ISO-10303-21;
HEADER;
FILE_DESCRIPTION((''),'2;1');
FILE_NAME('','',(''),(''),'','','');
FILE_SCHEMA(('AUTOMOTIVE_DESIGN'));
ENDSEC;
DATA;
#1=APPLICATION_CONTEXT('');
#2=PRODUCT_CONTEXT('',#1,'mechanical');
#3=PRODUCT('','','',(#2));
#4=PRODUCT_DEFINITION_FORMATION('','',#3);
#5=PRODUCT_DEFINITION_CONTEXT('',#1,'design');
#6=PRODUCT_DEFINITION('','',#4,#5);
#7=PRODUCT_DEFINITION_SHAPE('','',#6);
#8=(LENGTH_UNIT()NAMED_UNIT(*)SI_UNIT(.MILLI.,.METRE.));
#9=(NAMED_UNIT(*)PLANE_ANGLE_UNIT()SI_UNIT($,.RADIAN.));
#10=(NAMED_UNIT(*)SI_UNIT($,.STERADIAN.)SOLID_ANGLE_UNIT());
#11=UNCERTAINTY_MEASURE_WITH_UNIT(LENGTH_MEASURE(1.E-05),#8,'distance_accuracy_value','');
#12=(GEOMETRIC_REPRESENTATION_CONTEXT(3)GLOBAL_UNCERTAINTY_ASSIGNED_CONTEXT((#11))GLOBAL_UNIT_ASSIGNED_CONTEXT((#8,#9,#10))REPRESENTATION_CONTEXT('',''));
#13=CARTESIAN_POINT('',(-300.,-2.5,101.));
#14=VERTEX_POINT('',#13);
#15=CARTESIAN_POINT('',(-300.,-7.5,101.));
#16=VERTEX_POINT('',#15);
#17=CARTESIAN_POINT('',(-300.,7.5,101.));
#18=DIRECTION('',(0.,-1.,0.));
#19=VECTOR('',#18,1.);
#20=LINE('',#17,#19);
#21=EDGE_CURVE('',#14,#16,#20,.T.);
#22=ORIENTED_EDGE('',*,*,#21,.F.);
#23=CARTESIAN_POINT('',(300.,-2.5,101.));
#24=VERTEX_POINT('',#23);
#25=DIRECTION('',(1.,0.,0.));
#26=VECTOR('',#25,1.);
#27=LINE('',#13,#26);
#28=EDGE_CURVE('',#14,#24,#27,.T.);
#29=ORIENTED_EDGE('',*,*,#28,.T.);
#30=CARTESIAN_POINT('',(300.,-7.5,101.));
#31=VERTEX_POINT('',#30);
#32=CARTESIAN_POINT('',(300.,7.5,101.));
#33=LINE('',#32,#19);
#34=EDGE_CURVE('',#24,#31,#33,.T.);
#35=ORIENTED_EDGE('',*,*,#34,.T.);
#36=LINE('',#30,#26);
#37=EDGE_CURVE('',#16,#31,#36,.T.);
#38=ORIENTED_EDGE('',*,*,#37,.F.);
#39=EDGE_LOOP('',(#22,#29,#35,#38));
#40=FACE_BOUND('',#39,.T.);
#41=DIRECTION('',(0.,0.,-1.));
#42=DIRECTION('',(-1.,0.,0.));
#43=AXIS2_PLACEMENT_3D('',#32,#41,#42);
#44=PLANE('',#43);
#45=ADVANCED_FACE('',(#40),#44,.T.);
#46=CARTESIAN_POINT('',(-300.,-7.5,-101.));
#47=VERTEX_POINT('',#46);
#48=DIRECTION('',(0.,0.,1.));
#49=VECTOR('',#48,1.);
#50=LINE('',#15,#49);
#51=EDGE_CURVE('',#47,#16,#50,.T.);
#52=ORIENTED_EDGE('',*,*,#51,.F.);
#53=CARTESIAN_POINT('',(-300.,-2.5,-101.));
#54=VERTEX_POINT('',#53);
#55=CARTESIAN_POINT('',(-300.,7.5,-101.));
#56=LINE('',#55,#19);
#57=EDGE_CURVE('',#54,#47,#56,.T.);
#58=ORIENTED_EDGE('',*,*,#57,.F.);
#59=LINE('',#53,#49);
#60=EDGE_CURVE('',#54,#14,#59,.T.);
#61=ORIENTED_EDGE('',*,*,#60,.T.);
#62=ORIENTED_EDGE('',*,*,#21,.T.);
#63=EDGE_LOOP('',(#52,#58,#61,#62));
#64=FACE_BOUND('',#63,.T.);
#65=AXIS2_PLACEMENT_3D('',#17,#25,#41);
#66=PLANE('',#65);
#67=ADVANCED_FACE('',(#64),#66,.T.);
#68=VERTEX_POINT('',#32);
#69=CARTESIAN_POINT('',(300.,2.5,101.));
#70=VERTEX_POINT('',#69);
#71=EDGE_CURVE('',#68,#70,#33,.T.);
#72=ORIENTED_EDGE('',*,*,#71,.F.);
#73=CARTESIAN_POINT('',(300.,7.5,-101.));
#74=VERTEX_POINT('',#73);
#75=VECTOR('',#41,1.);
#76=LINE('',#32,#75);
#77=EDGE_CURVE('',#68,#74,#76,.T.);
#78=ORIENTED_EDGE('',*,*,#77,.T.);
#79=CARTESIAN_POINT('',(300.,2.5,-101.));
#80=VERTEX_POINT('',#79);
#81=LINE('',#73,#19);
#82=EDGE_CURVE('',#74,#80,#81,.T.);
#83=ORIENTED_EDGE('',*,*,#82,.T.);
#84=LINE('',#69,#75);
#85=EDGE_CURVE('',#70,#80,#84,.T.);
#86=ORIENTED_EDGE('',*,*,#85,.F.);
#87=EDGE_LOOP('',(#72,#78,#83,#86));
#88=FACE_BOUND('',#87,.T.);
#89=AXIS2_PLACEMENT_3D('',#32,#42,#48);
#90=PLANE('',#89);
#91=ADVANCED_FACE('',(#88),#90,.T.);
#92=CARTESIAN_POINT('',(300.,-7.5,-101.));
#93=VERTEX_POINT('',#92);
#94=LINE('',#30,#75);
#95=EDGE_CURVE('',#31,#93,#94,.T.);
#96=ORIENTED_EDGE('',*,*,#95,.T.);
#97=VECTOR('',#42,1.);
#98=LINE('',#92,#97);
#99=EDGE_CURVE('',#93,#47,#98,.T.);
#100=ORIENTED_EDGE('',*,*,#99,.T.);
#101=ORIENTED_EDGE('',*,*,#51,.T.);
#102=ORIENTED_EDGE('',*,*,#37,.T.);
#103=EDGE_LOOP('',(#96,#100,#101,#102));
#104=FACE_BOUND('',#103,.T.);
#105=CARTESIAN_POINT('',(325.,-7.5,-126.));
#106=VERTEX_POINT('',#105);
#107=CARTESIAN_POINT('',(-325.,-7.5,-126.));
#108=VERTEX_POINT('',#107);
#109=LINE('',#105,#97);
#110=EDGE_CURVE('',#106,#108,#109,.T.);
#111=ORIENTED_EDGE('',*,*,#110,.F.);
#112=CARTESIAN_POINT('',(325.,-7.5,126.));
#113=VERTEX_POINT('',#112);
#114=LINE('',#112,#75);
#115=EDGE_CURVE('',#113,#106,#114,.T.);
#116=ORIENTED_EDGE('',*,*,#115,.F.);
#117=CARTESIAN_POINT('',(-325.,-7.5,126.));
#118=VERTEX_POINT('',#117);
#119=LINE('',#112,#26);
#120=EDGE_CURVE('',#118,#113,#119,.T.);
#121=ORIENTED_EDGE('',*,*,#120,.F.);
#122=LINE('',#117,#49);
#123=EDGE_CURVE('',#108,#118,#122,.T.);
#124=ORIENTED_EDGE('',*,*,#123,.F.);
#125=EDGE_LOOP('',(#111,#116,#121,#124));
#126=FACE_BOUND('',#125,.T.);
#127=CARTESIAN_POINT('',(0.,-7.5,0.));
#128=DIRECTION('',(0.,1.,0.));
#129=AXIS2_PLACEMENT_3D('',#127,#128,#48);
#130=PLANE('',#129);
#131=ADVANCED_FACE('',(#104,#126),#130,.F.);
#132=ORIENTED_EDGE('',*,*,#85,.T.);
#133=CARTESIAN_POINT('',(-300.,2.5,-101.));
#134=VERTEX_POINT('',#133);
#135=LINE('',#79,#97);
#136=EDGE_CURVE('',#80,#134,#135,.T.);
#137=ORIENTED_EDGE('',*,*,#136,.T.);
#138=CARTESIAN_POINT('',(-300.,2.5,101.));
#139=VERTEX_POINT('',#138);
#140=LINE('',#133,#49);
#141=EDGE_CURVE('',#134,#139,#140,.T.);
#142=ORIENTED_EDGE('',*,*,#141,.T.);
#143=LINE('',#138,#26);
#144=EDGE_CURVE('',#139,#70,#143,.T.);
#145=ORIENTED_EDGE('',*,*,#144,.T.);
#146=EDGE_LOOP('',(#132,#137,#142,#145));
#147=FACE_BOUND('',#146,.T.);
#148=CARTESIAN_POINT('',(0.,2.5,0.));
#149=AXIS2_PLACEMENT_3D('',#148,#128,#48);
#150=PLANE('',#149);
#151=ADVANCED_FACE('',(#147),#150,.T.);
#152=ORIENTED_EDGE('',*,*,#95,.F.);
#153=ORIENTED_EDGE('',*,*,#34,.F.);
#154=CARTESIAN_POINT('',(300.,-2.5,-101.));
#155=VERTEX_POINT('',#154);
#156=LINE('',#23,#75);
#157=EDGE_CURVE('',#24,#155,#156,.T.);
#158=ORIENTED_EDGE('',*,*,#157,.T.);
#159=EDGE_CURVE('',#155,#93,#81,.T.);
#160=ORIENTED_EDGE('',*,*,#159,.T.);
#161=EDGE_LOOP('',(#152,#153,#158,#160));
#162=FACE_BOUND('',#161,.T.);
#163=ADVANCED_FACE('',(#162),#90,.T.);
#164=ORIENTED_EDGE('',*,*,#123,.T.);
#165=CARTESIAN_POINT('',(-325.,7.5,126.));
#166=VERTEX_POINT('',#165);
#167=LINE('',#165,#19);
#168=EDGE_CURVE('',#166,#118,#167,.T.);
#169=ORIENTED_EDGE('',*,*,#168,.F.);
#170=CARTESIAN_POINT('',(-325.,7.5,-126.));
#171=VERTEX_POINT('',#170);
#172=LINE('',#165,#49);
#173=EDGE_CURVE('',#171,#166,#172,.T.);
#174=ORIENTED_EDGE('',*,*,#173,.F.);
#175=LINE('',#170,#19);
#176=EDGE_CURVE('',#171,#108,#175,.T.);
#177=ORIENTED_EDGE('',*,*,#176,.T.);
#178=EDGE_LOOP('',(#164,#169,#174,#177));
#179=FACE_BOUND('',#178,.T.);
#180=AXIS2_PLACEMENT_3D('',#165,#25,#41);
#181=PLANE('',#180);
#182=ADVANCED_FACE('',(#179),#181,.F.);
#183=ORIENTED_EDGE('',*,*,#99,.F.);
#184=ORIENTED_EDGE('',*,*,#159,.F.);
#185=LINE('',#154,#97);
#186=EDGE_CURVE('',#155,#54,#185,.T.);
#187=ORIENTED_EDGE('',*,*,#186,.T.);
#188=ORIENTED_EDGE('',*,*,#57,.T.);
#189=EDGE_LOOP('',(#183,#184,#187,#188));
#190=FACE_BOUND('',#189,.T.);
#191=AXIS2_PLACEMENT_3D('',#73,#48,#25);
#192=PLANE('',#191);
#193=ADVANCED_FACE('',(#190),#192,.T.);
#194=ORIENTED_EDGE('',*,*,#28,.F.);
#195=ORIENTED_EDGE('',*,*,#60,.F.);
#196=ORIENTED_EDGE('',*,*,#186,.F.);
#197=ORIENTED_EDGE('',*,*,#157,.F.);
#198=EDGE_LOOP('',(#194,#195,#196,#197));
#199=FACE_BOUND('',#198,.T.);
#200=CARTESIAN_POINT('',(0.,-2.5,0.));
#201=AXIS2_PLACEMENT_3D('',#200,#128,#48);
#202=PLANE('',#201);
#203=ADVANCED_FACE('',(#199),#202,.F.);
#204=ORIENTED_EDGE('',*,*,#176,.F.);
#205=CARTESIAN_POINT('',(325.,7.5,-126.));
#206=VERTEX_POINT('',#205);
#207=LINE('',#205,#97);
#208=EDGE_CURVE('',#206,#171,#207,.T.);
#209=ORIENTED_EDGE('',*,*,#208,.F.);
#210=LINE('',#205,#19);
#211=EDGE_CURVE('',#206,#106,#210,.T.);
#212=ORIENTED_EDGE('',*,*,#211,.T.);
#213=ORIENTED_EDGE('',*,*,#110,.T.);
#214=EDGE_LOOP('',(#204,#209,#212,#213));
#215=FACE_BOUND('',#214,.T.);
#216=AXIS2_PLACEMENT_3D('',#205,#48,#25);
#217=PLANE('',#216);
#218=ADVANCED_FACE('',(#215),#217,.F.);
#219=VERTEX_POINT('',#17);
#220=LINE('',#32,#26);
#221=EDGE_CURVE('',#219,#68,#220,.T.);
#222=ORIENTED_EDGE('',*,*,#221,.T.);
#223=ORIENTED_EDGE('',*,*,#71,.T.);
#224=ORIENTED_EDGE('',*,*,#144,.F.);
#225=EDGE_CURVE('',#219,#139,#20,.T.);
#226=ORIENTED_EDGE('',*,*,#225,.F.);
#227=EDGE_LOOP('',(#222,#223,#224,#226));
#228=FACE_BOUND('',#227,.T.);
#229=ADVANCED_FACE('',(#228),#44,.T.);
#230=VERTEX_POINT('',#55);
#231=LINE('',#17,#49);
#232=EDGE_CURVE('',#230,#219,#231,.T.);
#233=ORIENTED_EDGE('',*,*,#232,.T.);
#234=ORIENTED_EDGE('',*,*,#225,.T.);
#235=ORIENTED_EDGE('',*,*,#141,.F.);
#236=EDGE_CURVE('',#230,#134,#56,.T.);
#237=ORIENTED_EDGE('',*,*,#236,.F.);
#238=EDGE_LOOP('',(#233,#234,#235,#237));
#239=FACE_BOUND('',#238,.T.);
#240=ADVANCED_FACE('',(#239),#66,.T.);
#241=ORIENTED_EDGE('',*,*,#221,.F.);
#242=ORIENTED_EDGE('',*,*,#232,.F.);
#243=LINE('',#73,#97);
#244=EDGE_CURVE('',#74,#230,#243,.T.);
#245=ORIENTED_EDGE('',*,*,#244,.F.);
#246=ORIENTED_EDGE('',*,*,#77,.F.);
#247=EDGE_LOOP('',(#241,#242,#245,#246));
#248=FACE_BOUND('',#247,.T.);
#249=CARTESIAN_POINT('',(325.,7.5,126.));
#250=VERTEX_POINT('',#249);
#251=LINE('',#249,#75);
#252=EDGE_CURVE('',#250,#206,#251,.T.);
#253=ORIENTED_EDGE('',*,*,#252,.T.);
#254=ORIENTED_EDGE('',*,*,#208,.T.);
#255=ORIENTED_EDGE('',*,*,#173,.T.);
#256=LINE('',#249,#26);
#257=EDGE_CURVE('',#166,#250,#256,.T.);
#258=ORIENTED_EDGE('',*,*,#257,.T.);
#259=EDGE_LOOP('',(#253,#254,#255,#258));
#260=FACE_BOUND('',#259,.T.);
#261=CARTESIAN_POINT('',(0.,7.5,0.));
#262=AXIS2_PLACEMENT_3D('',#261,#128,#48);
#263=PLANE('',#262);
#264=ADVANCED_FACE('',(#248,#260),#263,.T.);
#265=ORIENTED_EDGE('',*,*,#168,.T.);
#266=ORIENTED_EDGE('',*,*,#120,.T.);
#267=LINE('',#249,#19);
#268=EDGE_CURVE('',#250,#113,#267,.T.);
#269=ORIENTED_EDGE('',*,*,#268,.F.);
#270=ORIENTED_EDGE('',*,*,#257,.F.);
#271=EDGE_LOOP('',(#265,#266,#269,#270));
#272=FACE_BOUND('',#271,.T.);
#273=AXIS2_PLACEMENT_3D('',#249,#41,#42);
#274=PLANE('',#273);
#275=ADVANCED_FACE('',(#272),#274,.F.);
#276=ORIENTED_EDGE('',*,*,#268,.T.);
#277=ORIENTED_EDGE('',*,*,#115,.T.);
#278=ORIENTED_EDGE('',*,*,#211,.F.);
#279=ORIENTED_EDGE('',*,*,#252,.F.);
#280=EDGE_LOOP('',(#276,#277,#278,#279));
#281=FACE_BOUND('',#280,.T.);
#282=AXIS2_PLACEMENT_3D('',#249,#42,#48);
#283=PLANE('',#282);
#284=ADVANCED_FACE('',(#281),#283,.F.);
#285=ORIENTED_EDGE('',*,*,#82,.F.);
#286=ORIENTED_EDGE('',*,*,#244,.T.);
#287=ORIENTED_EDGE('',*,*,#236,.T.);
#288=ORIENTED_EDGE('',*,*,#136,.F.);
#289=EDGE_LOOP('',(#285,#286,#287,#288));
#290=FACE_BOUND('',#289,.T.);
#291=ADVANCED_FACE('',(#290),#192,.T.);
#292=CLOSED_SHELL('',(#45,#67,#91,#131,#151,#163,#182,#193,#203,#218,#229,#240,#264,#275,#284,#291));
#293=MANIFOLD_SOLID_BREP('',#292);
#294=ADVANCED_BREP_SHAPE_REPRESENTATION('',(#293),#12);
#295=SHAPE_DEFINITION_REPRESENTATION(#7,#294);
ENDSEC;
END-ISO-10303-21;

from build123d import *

# Parameters (mm, degrees)
SKETCH_1_W      = 650
SKETCH_1_H      = 252
SKETCH_1_W_2    = 600
SKETCH_1_H_2    = 202
EXTRUDE_1_DEPTH = 7.5
SKETCH_2_W      = 600
SKETCH_2_H      = 202
EXTRUDE_2_DEPTH = 2.5


with BuildPart() as part:
    # 草图1 → 凸台-拉伸1 (new body, symmetric)
    with BuildSketch(Plane(origin=(0, 0, 0), x_dir=(1, 0, 0), z_dir=(0, 1, 0))):
        Rectangle(SKETCH_1_W, SKETCH_1_H)
        Rectangle(SKETCH_1_W_2, SKETCH_1_H_2, mode=Mode.SUBTRACT)
    extrude(amount=EXTRUDE_1_DEPTH, both=True)

    # 草图2 → 凸台-拉伸2 (add, symmetric)
    with BuildSketch(Plane(origin=(0, 0, 0), x_dir=(1, 0, 0), z_dir=(0, 1, 0))):
        Rectangle(SKETCH_2_W, SKETCH_2_H)
    extrude(amount=EXTRUDE_2_DEPTH, both=True)


solid = part.part
